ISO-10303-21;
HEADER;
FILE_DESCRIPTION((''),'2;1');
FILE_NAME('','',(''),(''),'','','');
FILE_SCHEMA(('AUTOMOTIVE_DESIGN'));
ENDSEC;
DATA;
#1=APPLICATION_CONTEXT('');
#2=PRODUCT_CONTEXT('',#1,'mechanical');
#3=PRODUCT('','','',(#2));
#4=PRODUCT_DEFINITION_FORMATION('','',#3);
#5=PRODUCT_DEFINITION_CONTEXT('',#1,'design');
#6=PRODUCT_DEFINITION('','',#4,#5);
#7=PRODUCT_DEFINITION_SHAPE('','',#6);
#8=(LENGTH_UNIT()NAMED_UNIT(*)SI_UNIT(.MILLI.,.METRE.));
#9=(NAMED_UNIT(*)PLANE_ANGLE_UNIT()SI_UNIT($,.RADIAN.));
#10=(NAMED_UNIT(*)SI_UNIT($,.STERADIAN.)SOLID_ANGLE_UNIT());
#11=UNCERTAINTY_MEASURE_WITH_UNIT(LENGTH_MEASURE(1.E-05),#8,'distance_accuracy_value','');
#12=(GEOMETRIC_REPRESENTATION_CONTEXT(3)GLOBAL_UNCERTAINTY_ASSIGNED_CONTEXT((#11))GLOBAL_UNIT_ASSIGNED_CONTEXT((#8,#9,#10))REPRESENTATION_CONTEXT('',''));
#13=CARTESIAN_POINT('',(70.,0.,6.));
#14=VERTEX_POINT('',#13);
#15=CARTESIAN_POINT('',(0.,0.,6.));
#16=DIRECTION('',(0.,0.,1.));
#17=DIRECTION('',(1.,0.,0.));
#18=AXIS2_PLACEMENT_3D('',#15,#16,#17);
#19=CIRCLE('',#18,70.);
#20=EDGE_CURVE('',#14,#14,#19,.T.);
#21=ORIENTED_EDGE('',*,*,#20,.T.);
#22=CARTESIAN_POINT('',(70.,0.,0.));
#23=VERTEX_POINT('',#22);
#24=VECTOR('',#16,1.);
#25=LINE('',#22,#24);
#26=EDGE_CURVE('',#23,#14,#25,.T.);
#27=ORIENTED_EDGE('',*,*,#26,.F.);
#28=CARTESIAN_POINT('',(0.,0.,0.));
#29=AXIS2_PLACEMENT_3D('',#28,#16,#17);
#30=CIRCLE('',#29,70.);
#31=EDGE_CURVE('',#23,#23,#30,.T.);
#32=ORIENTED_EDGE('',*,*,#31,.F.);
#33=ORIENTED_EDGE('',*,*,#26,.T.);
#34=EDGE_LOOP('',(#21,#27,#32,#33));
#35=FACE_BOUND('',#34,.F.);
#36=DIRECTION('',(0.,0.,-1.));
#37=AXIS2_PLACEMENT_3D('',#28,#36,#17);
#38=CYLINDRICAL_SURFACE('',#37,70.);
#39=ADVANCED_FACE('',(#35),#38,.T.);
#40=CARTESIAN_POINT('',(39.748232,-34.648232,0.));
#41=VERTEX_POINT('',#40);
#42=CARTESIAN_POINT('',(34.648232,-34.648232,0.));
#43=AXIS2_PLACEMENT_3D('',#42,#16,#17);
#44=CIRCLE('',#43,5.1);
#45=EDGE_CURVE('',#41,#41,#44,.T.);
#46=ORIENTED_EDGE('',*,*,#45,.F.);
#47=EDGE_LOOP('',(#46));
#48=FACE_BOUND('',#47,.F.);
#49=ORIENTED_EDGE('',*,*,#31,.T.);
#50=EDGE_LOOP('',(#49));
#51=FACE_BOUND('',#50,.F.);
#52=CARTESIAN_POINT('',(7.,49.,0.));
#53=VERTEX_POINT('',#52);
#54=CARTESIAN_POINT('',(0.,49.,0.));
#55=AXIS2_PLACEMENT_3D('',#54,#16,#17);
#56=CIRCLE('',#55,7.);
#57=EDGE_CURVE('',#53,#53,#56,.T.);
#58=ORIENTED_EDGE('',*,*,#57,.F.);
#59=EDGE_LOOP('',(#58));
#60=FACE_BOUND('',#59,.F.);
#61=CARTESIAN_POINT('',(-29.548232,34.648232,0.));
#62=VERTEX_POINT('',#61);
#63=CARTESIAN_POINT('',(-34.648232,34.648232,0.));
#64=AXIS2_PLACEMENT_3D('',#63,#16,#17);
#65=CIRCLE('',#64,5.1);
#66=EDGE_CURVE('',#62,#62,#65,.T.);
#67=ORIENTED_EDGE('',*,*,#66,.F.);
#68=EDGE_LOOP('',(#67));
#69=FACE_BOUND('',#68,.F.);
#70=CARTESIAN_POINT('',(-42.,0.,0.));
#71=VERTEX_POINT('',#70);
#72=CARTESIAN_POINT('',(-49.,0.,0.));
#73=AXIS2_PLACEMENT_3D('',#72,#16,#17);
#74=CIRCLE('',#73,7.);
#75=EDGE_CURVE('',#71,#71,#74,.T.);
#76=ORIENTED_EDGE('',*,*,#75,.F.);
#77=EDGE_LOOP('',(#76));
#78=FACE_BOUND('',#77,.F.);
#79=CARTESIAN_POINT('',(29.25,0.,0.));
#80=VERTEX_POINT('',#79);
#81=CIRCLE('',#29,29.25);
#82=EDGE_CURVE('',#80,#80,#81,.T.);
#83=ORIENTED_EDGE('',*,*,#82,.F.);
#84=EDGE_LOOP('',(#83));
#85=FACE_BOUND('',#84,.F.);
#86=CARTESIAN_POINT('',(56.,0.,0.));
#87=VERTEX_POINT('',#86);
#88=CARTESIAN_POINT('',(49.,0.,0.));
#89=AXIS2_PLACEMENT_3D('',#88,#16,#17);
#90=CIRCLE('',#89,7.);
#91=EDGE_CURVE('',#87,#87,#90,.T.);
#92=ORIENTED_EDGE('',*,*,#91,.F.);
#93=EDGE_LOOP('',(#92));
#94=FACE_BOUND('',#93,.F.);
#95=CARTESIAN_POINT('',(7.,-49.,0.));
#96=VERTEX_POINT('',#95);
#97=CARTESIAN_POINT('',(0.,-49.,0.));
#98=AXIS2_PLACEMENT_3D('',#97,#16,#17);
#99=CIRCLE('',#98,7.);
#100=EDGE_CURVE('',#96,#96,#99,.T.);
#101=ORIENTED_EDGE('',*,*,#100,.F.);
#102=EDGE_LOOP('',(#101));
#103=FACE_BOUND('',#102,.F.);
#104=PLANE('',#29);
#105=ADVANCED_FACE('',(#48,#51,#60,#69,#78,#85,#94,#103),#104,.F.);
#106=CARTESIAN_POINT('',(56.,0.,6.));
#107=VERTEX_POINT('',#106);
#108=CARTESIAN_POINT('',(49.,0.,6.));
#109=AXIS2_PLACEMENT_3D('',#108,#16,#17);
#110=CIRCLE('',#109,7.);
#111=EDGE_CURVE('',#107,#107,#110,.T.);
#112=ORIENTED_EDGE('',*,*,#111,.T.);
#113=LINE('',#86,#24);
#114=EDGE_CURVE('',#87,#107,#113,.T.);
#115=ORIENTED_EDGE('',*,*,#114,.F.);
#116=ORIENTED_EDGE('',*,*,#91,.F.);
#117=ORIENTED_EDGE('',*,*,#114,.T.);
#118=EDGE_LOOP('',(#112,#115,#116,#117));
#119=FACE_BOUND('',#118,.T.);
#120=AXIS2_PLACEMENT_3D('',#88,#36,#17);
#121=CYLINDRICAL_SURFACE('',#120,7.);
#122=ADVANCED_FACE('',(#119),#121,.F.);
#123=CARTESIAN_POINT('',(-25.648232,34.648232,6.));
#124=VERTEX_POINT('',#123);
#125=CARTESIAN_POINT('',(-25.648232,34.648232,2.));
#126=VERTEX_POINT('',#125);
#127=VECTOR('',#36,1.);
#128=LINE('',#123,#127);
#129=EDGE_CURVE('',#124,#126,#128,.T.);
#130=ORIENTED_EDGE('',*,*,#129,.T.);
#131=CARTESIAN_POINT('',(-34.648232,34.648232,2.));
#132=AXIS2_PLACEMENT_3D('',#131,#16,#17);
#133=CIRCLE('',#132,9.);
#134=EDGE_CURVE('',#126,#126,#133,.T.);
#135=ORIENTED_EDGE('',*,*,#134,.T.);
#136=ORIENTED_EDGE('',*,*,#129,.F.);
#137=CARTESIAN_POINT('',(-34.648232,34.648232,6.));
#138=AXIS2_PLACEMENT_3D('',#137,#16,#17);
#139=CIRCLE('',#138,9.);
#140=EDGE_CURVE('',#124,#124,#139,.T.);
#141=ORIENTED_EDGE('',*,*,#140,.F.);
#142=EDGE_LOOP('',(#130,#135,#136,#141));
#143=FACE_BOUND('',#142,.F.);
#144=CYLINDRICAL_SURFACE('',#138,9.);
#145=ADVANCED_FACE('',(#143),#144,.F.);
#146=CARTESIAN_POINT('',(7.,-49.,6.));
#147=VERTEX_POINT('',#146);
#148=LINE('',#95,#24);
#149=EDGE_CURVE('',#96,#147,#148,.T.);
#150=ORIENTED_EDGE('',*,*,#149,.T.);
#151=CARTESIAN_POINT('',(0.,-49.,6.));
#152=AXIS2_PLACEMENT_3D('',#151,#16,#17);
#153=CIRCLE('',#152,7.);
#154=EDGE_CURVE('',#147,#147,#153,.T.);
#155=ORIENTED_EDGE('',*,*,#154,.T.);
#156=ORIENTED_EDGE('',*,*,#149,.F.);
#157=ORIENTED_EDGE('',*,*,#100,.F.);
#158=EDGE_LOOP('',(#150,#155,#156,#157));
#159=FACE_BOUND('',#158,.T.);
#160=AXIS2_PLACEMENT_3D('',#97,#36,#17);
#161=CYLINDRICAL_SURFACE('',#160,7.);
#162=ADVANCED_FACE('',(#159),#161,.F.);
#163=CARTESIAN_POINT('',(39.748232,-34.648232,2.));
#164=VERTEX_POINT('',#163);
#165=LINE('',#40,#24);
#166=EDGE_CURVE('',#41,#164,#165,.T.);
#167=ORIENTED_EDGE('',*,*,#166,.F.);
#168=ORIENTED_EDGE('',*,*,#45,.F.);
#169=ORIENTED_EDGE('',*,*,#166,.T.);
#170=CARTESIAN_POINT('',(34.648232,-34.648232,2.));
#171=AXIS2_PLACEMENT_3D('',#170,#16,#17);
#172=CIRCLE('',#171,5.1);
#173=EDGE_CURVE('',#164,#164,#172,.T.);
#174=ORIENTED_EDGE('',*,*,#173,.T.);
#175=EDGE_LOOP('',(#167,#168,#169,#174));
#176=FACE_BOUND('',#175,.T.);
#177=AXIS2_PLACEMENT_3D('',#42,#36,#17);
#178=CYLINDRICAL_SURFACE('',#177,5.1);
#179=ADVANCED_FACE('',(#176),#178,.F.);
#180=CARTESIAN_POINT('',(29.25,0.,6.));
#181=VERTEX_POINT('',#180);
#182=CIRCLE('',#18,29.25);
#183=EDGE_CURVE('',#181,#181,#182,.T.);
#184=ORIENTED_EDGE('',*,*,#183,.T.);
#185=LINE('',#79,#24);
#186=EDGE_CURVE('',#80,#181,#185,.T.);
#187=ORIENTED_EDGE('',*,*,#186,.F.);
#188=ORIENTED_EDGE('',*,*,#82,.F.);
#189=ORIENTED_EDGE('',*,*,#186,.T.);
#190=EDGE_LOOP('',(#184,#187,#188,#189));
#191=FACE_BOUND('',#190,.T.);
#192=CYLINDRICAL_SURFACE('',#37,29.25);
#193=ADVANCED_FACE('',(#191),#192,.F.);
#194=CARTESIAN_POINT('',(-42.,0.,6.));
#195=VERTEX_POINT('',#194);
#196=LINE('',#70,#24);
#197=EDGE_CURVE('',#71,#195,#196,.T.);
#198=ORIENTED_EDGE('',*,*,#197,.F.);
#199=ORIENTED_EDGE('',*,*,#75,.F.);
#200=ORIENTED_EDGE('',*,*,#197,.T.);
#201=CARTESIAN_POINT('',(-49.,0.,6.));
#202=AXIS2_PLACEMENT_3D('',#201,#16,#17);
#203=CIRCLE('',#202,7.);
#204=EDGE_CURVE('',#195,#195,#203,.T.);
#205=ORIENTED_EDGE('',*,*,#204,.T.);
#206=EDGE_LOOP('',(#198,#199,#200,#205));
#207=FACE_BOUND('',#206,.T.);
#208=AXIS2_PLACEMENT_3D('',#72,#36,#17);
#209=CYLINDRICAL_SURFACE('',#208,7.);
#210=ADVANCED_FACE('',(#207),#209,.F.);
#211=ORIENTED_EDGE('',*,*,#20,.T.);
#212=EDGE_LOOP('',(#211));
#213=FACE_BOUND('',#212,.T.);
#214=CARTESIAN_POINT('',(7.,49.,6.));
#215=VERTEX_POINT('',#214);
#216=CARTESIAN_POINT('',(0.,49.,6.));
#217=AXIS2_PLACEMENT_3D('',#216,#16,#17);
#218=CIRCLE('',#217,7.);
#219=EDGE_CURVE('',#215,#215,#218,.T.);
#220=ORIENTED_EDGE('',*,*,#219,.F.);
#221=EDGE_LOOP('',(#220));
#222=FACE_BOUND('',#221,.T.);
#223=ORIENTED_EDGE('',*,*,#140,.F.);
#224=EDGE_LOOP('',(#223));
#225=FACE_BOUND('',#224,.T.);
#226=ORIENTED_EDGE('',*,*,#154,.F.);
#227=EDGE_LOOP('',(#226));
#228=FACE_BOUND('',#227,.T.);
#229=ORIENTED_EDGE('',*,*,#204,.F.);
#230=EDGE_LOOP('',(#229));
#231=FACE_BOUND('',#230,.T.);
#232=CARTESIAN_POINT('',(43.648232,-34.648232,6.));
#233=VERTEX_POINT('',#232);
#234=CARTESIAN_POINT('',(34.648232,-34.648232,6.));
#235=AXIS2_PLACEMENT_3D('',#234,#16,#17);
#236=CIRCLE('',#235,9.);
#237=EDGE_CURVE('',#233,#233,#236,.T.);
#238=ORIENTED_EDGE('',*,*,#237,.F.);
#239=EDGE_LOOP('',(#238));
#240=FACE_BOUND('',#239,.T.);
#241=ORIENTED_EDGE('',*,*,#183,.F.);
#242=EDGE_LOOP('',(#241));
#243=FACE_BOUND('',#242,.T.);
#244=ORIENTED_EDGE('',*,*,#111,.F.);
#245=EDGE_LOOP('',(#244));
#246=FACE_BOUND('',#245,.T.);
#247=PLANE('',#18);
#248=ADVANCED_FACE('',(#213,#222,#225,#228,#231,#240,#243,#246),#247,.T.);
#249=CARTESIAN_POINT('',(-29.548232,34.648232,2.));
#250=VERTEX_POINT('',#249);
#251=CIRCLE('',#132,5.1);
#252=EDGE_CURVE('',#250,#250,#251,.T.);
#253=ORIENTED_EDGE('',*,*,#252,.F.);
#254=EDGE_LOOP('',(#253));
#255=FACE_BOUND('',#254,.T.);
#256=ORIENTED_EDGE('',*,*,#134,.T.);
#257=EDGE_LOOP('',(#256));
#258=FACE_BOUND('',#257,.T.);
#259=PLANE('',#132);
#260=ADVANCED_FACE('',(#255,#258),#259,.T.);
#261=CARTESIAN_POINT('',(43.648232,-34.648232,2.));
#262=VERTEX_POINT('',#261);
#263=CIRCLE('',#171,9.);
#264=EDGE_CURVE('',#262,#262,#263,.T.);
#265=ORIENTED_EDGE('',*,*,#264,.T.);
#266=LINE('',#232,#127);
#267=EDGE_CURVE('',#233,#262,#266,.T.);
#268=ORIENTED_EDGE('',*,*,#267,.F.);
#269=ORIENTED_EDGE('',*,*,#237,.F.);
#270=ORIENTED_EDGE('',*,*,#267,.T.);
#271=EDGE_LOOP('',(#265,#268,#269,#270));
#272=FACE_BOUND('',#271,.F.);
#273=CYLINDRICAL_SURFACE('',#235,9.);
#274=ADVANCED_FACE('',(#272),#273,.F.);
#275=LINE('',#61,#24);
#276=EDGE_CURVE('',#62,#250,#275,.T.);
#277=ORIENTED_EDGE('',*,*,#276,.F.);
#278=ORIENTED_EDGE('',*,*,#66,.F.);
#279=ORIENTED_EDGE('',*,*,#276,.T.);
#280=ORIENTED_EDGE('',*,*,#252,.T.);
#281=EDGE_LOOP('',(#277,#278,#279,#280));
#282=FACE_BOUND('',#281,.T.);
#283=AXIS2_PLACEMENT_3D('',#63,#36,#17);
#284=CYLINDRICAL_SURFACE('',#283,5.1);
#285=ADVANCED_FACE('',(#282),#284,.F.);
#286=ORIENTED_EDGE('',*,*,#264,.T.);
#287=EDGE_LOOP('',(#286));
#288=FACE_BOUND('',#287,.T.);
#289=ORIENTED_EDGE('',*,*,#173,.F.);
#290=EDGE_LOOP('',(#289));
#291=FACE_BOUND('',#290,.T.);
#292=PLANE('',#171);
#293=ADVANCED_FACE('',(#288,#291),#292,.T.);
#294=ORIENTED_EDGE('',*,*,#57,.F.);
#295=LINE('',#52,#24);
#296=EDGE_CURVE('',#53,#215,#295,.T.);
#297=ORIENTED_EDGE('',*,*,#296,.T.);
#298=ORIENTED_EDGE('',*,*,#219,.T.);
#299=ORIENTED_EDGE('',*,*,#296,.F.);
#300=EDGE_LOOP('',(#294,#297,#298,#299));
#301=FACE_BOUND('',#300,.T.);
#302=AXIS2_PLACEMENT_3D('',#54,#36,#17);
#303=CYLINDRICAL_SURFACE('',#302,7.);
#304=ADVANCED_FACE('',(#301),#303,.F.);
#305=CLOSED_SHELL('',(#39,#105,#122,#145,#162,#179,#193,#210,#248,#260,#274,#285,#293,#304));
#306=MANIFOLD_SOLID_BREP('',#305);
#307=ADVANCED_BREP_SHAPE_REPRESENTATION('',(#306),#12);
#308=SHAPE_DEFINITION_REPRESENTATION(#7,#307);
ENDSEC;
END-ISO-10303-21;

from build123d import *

# Parameters (mm, degrees)
F0_R     = 70
F0_R_2   = 7
F0_R_3   = 5.1
F0_R_4   = 29.25
F1_DEPTH = 6
F2_R     = 9
F2_R_2   = 5.1
F3_DEPTH = 4


with BuildPart() as f1:
    # F0 (on Top) → F1 (new body)
    with BuildSketch(Plane.XY):
        Circle(F0_R)
        with Locations((0, -49)):
            Circle(F0_R_2, mode=Mode.SUBTRACT)
        with Locations((34.648232, -34.648232)):
            Circle(F0_R_3, mode=Mode.SUBTRACT)
        with Locations((-49, 0)):
            Circle(F0_R_2, mode=Mode.SUBTRACT)
        with Locations((-34.648232, 34.648232)):
            Circle(F0_R_3, mode=Mode.SUBTRACT)
        Circle(F0_R_4, mode=Mode.SUBTRACT)
        with Locations((49, 0)):
            Circle(F0_R_2, mode=Mode.SUBTRACT)
        with Locations((0, 49)):
            Circle(F0_R_2, mode=Mode.SUBTRACT)
    extrude(amount=F1_DEPTH)

    # F2 (on face) → F3 (cut)
    with BuildSketch(Plane.XY.offset(6)):
        with Locations((-34.648232, 34.648232)):
            Circle(F2_R)
        with Locations((-34.648232, 34.648232)):
            Circle(F2_R_2, mode=Mode.SUBTRACT)
        with Locations((34.648232, -34.648232)):
            Circle(F2_R)
        with Locations((34.648232, -34.648232)):
            Circle(F2_R_2, mode=Mode.SUBTRACT)
    extrude(amount=-F3_DEPTH, mode=Mode.SUBTRACT)


solid = f1.part
